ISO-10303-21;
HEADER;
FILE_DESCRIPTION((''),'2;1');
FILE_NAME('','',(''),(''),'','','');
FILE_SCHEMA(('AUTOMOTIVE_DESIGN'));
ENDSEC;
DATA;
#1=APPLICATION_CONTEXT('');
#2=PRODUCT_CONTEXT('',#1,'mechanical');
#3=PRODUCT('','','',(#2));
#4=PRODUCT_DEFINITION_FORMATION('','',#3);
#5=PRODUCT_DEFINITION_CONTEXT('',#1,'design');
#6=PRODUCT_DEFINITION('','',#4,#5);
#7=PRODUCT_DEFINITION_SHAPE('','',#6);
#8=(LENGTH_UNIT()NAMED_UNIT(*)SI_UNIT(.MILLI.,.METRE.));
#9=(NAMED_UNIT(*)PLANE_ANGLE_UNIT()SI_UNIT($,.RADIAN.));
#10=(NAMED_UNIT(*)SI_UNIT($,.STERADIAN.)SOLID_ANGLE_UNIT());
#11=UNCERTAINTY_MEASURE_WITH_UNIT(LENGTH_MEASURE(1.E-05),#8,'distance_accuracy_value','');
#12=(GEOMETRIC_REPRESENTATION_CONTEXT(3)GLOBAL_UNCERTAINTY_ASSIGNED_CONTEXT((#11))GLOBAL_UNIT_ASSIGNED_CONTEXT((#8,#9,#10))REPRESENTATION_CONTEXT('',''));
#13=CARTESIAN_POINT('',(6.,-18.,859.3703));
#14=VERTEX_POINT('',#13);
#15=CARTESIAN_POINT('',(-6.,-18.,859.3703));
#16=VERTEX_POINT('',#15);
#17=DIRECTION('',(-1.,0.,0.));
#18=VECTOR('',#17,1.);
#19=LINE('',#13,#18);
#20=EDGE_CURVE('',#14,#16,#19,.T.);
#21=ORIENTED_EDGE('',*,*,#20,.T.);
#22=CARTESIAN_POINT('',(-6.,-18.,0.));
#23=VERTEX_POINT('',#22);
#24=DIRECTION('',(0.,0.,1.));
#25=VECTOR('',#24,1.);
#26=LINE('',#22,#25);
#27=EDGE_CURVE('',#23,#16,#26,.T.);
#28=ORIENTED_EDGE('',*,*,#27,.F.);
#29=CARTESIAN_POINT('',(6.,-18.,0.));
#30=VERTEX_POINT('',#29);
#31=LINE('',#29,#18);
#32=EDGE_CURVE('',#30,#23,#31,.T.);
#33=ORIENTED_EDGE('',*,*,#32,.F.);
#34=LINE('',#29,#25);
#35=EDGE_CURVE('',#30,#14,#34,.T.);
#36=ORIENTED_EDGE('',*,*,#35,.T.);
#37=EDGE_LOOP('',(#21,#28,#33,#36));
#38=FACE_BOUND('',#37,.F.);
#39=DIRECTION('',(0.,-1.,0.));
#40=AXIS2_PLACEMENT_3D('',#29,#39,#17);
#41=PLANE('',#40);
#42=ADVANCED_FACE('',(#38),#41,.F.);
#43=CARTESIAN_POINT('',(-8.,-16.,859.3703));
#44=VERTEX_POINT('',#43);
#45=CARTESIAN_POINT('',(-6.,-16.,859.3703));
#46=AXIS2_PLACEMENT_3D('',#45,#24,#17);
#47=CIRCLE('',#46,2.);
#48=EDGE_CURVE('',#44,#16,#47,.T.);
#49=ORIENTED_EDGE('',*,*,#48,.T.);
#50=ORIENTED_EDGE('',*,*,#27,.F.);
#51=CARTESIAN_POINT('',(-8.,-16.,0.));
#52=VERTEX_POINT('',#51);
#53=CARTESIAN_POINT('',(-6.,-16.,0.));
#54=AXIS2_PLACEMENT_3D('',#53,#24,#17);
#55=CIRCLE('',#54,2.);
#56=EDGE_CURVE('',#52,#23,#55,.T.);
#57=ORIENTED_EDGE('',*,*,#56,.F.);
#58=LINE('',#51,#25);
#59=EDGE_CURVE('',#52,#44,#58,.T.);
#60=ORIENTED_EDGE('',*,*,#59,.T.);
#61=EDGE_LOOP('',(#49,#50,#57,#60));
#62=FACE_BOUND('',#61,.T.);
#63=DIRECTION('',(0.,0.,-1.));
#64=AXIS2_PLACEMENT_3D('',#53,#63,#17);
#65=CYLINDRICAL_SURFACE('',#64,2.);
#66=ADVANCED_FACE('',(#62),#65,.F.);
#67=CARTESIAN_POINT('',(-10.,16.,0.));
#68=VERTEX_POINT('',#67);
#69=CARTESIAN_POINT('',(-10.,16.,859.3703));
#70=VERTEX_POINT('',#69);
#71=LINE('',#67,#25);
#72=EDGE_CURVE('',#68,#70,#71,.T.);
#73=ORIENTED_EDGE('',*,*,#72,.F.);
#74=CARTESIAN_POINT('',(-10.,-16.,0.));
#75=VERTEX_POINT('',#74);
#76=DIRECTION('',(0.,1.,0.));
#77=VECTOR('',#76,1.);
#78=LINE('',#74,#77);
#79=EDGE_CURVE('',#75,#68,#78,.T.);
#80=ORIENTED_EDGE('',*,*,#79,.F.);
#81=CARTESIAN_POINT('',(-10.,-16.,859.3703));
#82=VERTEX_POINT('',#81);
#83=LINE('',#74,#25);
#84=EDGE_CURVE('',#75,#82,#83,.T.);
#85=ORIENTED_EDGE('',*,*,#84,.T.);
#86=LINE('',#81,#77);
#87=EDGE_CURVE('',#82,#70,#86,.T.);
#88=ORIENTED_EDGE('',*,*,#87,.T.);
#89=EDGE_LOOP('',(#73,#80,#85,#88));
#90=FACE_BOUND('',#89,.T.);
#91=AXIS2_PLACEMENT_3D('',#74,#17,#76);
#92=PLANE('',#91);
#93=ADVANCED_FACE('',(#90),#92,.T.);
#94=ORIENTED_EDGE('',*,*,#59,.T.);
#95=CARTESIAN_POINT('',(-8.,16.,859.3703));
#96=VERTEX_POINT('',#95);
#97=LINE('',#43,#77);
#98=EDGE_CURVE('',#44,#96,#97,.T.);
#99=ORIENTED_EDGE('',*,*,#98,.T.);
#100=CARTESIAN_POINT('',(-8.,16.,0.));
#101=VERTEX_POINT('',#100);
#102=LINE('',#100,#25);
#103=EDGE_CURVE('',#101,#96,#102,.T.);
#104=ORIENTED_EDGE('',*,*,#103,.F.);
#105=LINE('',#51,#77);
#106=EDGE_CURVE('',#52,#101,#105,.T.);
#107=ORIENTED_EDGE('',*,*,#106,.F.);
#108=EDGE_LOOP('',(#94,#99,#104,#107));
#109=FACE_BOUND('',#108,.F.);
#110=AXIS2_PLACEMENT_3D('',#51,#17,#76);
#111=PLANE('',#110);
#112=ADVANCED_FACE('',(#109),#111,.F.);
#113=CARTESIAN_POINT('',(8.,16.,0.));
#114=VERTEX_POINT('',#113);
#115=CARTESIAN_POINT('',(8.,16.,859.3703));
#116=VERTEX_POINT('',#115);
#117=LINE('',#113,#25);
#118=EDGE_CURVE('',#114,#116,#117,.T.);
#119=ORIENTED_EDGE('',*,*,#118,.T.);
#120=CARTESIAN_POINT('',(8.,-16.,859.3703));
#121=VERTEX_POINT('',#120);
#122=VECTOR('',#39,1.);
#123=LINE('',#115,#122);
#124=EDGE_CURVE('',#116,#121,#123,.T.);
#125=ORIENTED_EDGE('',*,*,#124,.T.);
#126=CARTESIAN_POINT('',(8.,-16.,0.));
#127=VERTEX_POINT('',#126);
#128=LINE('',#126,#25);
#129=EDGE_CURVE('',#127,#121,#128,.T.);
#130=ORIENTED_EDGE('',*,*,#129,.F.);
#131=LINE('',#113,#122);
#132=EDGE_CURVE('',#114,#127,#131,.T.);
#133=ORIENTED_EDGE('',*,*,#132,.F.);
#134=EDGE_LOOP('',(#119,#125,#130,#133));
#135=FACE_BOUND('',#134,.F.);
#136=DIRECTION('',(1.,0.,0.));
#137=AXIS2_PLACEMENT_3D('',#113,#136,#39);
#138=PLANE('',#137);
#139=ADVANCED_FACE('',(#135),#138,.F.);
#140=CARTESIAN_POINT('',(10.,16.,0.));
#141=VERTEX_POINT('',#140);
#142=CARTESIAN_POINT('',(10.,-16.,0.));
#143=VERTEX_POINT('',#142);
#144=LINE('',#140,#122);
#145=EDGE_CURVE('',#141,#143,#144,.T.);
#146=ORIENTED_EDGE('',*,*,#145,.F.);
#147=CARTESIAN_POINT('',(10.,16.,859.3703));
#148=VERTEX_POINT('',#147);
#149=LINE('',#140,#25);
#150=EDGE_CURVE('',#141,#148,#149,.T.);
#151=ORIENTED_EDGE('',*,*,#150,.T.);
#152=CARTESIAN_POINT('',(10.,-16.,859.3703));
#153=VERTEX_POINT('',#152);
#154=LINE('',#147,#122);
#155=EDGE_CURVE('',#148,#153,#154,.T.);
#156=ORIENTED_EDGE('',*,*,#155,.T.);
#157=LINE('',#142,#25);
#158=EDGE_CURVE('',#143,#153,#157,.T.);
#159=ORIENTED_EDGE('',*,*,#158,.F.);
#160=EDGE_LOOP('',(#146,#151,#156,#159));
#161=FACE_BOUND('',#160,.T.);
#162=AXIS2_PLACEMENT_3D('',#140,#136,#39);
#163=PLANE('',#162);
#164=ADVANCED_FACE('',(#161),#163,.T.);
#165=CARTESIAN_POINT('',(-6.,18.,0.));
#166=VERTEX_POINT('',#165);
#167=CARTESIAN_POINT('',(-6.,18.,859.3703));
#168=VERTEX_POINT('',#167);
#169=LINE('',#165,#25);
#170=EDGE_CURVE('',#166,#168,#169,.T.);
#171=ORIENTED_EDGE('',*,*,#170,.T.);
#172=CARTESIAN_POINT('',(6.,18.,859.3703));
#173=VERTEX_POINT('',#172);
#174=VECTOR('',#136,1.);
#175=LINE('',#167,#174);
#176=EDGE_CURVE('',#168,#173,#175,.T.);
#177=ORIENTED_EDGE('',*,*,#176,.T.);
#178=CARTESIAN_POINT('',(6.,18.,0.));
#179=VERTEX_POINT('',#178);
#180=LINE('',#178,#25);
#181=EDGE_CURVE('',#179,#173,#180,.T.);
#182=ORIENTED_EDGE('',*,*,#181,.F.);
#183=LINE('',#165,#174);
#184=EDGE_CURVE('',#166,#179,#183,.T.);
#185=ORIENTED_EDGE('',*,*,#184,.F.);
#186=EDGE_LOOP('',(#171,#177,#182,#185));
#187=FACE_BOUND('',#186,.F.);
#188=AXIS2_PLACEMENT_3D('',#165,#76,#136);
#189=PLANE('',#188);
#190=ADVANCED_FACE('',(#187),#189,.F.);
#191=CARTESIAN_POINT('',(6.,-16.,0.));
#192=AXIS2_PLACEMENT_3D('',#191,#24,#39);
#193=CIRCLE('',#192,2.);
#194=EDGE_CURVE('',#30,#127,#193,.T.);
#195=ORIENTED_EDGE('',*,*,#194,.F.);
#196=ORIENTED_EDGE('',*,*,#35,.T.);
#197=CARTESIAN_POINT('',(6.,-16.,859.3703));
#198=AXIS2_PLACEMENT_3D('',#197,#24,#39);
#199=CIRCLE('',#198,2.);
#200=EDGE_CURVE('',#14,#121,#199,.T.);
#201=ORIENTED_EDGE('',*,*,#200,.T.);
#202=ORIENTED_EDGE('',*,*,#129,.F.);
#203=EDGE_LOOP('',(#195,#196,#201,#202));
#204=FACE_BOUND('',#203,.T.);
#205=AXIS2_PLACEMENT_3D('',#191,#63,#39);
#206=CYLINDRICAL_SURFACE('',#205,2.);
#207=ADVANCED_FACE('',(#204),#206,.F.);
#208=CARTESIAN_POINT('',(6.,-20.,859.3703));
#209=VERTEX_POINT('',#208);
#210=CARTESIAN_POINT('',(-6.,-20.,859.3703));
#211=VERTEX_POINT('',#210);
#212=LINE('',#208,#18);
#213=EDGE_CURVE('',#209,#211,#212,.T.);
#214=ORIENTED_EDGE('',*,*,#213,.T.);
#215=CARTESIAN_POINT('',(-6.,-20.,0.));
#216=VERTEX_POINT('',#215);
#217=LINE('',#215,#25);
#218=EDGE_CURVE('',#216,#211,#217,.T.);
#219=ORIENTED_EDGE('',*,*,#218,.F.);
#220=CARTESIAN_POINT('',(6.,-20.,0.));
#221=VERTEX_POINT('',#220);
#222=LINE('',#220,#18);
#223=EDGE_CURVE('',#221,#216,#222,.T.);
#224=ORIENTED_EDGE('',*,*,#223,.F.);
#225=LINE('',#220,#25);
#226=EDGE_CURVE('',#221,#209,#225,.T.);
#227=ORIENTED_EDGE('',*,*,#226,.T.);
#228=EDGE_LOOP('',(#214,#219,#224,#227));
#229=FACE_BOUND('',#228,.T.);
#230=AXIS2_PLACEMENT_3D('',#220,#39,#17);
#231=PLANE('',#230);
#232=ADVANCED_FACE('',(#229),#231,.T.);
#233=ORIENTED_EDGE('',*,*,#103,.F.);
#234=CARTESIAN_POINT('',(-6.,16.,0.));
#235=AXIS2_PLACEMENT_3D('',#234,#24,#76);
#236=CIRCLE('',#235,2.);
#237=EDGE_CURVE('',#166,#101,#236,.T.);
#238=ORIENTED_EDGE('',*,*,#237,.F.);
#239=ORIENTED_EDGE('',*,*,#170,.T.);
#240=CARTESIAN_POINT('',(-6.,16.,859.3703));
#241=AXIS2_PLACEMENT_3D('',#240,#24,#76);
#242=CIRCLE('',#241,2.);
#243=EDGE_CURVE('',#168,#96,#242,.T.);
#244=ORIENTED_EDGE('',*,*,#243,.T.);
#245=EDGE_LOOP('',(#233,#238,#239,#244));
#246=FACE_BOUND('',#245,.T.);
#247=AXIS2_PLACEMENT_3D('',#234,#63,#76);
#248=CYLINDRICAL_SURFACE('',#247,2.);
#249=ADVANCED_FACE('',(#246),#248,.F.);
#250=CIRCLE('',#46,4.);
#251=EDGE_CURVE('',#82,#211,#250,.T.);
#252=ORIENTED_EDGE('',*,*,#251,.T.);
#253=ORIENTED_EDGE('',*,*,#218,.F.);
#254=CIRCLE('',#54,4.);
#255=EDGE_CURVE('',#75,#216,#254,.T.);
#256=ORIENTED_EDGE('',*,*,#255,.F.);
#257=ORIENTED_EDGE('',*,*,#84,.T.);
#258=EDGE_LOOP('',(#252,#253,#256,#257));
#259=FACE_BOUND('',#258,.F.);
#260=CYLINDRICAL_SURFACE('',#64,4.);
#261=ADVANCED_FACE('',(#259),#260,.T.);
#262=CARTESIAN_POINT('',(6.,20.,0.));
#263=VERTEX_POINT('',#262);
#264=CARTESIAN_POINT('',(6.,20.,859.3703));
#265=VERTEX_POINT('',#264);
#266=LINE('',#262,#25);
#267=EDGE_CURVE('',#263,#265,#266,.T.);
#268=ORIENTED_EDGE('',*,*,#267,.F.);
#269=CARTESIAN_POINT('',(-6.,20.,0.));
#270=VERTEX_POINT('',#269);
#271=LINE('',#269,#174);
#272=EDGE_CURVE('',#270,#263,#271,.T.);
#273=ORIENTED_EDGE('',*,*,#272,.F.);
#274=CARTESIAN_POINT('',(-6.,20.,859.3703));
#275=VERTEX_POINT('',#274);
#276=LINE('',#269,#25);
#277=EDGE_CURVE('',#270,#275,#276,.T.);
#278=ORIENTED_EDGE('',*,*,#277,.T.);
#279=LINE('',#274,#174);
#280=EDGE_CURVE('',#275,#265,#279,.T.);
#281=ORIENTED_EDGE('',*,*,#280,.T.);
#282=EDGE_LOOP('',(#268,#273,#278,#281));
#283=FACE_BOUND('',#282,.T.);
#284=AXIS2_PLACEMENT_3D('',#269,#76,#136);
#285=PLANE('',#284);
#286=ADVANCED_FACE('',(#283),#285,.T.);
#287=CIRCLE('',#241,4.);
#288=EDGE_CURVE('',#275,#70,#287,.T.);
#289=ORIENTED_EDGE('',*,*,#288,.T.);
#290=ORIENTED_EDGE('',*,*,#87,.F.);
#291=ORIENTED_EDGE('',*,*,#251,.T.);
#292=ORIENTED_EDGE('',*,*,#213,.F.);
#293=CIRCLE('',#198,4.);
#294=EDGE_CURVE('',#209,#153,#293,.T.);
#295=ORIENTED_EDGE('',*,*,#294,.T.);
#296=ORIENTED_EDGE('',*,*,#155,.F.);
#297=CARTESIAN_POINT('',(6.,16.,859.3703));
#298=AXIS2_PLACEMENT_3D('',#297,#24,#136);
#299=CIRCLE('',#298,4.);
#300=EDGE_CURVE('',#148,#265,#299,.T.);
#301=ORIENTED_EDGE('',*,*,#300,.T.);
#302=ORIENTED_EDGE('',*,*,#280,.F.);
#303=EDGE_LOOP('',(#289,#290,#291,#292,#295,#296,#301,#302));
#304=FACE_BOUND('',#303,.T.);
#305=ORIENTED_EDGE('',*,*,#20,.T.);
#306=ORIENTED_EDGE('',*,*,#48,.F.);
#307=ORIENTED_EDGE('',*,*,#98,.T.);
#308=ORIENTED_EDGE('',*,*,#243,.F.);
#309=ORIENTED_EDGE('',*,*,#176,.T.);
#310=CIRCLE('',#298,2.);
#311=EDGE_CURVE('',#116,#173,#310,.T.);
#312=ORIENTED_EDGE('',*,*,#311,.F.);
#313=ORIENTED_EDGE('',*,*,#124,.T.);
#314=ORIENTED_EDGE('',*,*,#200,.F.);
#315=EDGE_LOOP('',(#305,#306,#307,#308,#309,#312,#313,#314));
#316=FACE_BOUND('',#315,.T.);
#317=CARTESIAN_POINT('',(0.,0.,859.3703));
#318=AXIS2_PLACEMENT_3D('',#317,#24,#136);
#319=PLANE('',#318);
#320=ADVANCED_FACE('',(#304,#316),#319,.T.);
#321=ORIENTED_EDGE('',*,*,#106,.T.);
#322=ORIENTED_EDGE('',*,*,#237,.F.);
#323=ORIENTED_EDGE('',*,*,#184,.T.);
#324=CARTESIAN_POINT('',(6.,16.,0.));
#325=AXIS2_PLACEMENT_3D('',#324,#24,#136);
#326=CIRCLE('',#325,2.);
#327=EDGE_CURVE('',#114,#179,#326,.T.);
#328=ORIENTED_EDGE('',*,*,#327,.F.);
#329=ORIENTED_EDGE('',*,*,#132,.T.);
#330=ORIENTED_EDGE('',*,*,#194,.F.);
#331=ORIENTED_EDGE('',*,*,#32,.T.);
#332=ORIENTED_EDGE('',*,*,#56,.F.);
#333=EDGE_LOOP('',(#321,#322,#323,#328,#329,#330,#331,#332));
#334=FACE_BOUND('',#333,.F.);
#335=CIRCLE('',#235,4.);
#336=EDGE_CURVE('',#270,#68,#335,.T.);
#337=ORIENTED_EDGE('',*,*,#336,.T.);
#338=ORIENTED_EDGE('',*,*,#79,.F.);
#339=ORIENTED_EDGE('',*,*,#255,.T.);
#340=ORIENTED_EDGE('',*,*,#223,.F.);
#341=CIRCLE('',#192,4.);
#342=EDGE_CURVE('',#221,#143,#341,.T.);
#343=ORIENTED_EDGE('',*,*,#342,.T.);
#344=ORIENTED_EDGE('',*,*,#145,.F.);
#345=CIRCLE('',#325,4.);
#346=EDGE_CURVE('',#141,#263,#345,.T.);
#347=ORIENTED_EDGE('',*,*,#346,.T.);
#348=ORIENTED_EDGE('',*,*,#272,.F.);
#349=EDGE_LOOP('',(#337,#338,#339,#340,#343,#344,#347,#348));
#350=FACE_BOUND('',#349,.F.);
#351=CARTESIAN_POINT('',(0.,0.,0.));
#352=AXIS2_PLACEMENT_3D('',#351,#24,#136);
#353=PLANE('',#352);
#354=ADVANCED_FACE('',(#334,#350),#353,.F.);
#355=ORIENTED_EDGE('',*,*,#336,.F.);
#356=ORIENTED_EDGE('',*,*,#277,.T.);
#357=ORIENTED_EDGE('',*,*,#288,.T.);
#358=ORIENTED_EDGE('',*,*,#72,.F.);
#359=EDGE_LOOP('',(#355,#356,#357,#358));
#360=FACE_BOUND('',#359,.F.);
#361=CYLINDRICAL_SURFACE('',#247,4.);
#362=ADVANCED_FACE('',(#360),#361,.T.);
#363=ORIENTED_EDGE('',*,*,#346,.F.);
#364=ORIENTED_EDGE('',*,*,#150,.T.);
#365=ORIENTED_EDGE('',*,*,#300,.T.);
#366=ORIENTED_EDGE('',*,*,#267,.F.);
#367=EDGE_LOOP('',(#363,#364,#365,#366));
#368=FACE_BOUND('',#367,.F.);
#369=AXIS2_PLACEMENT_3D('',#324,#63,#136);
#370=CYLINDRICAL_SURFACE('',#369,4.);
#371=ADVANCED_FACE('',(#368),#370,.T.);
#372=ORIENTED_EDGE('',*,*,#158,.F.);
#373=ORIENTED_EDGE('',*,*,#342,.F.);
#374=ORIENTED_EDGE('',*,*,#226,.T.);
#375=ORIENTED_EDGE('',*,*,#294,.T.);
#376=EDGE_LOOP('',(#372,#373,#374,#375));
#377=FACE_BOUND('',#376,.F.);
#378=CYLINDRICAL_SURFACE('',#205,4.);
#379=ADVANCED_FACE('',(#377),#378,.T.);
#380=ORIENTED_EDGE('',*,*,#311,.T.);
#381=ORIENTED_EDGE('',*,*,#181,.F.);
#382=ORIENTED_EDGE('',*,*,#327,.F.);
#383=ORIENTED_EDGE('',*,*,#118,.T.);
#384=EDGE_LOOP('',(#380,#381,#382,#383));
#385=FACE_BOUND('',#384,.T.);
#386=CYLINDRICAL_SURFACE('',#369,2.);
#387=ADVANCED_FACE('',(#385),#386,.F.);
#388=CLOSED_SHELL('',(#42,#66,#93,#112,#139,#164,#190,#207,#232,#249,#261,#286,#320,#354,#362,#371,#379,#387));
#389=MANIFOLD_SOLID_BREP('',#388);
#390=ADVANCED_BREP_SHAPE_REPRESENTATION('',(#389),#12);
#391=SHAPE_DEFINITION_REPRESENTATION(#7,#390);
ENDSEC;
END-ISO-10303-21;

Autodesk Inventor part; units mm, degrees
ref_plane "YZ Plane" through (0, 0, 0) normal (1, 0, 0) x (0, 1, 0)
ref_plane "Start Plane" through (0, 0, 0) normal (0, 0, 1) x (1, 0, 0)
ref_plane "End Plane" through (0, 0, 859.3703) normal (0, 0, 1) x (1, 0, 0)
sketch "Sketch" plane through (0, 0, 0) normal (0, 0, 1) x (1, 0, 0)
  line L0 (-10, -16) -> (-10, 16)
  line L1 (-6, 20) -> (6, 20)
  line L2 (10, 16) -> (10, -16)
  line L3 (6, -20) -> (-6, -20)
  arc A0 (-10, -16) -> (-6, -20) centre (-6, -16) ccw
  arc A1 (10, 16) -> (6, 20) centre (6, 16) ccw
  arc A2 (-6, 20) -> (-10, 16) centre (-6, 16) ccw
  arc A3 (6, -20) -> (10, -16) centre (6, -16) ccw
  arc A4 (-6, 18) -> (-8, 16) centre (-6, 16) ccw
  line L4 (-6, 18) -> (6, 18)
  arc A5 (8, 16) -> (6, 18) centre (6, 16) ccw
  line L5 (8, 16) -> (8, -16)
  arc A6 (6, -18) -> (8, -16) centre (6, -16) ccw
  line L6 (6, -18) -> (-6, -18)
  arc A7 (-8, -16) -> (-6, -18) centre (-6, -16) ccw
  line L7 (-8, -16) -> (-8, 16)
  line L8 (0, 29.1598) -> (0, -29.1598) construction
  line L9 (-15.1598, 0) -> (15.1598, 0) construction
  dimension "d7" = 4
  dimension "d9" = 20
  dimension "d11" = 40
  dimension "d12" = 2
  dimension "d15" = 10
  dimension "d16" = 20
extrude "Body" add sketch "Sketch" along normal up to surface (859.3703 mm away) from surface at 0
sketch "Sketch3" plane through (0, 0, 0) normal (0, 0, 1) x (1, 0, 0)
  line L0 (0, 0) -> (10, 0)
ref_plane "Work Plane3" through (0, 0, 0) normal (0, -1, 0) x (1, 0, 0)
sketch "Sketch4" plane through (0, 0, 0) normal (0, -1, 0) x (1, 0, 0)
  line L0 (-2, 0) -> (12, 0) projected
  line L1 (-2, 859.3703) -> (12, 859.3703) projected
  dimension "d18" = 859.3703
equation "\"d7\" = G_IR"
equation "\"d9\" = G_W"
equation "\"d11\" = G_H"
equation "\"d12\" = G_T"
equation "\"d15\" = 0.5 * d9"
equation "\"d16\" = 0.5 * d11"
equation "\"d3\" = G_L"
equation "\"G_W\" = 20"
equation "\"G_H\" = 40"
equation "\"G_T\" = 2"
equation "\"G_IR\" = 4"
equation "\"G_L\" = d18"
equation "\"G_OFFSET_START\" = 0"
equation "\"G_OFFSET_END\" = 0"
equation "\"d14\" = G_OFFSET_END + B_L"
equation "\"B_L\" = 859.37034"
properties part number "ISO 10799-2 - 40x20x2 - 859,37" material "Steel, Mild"
